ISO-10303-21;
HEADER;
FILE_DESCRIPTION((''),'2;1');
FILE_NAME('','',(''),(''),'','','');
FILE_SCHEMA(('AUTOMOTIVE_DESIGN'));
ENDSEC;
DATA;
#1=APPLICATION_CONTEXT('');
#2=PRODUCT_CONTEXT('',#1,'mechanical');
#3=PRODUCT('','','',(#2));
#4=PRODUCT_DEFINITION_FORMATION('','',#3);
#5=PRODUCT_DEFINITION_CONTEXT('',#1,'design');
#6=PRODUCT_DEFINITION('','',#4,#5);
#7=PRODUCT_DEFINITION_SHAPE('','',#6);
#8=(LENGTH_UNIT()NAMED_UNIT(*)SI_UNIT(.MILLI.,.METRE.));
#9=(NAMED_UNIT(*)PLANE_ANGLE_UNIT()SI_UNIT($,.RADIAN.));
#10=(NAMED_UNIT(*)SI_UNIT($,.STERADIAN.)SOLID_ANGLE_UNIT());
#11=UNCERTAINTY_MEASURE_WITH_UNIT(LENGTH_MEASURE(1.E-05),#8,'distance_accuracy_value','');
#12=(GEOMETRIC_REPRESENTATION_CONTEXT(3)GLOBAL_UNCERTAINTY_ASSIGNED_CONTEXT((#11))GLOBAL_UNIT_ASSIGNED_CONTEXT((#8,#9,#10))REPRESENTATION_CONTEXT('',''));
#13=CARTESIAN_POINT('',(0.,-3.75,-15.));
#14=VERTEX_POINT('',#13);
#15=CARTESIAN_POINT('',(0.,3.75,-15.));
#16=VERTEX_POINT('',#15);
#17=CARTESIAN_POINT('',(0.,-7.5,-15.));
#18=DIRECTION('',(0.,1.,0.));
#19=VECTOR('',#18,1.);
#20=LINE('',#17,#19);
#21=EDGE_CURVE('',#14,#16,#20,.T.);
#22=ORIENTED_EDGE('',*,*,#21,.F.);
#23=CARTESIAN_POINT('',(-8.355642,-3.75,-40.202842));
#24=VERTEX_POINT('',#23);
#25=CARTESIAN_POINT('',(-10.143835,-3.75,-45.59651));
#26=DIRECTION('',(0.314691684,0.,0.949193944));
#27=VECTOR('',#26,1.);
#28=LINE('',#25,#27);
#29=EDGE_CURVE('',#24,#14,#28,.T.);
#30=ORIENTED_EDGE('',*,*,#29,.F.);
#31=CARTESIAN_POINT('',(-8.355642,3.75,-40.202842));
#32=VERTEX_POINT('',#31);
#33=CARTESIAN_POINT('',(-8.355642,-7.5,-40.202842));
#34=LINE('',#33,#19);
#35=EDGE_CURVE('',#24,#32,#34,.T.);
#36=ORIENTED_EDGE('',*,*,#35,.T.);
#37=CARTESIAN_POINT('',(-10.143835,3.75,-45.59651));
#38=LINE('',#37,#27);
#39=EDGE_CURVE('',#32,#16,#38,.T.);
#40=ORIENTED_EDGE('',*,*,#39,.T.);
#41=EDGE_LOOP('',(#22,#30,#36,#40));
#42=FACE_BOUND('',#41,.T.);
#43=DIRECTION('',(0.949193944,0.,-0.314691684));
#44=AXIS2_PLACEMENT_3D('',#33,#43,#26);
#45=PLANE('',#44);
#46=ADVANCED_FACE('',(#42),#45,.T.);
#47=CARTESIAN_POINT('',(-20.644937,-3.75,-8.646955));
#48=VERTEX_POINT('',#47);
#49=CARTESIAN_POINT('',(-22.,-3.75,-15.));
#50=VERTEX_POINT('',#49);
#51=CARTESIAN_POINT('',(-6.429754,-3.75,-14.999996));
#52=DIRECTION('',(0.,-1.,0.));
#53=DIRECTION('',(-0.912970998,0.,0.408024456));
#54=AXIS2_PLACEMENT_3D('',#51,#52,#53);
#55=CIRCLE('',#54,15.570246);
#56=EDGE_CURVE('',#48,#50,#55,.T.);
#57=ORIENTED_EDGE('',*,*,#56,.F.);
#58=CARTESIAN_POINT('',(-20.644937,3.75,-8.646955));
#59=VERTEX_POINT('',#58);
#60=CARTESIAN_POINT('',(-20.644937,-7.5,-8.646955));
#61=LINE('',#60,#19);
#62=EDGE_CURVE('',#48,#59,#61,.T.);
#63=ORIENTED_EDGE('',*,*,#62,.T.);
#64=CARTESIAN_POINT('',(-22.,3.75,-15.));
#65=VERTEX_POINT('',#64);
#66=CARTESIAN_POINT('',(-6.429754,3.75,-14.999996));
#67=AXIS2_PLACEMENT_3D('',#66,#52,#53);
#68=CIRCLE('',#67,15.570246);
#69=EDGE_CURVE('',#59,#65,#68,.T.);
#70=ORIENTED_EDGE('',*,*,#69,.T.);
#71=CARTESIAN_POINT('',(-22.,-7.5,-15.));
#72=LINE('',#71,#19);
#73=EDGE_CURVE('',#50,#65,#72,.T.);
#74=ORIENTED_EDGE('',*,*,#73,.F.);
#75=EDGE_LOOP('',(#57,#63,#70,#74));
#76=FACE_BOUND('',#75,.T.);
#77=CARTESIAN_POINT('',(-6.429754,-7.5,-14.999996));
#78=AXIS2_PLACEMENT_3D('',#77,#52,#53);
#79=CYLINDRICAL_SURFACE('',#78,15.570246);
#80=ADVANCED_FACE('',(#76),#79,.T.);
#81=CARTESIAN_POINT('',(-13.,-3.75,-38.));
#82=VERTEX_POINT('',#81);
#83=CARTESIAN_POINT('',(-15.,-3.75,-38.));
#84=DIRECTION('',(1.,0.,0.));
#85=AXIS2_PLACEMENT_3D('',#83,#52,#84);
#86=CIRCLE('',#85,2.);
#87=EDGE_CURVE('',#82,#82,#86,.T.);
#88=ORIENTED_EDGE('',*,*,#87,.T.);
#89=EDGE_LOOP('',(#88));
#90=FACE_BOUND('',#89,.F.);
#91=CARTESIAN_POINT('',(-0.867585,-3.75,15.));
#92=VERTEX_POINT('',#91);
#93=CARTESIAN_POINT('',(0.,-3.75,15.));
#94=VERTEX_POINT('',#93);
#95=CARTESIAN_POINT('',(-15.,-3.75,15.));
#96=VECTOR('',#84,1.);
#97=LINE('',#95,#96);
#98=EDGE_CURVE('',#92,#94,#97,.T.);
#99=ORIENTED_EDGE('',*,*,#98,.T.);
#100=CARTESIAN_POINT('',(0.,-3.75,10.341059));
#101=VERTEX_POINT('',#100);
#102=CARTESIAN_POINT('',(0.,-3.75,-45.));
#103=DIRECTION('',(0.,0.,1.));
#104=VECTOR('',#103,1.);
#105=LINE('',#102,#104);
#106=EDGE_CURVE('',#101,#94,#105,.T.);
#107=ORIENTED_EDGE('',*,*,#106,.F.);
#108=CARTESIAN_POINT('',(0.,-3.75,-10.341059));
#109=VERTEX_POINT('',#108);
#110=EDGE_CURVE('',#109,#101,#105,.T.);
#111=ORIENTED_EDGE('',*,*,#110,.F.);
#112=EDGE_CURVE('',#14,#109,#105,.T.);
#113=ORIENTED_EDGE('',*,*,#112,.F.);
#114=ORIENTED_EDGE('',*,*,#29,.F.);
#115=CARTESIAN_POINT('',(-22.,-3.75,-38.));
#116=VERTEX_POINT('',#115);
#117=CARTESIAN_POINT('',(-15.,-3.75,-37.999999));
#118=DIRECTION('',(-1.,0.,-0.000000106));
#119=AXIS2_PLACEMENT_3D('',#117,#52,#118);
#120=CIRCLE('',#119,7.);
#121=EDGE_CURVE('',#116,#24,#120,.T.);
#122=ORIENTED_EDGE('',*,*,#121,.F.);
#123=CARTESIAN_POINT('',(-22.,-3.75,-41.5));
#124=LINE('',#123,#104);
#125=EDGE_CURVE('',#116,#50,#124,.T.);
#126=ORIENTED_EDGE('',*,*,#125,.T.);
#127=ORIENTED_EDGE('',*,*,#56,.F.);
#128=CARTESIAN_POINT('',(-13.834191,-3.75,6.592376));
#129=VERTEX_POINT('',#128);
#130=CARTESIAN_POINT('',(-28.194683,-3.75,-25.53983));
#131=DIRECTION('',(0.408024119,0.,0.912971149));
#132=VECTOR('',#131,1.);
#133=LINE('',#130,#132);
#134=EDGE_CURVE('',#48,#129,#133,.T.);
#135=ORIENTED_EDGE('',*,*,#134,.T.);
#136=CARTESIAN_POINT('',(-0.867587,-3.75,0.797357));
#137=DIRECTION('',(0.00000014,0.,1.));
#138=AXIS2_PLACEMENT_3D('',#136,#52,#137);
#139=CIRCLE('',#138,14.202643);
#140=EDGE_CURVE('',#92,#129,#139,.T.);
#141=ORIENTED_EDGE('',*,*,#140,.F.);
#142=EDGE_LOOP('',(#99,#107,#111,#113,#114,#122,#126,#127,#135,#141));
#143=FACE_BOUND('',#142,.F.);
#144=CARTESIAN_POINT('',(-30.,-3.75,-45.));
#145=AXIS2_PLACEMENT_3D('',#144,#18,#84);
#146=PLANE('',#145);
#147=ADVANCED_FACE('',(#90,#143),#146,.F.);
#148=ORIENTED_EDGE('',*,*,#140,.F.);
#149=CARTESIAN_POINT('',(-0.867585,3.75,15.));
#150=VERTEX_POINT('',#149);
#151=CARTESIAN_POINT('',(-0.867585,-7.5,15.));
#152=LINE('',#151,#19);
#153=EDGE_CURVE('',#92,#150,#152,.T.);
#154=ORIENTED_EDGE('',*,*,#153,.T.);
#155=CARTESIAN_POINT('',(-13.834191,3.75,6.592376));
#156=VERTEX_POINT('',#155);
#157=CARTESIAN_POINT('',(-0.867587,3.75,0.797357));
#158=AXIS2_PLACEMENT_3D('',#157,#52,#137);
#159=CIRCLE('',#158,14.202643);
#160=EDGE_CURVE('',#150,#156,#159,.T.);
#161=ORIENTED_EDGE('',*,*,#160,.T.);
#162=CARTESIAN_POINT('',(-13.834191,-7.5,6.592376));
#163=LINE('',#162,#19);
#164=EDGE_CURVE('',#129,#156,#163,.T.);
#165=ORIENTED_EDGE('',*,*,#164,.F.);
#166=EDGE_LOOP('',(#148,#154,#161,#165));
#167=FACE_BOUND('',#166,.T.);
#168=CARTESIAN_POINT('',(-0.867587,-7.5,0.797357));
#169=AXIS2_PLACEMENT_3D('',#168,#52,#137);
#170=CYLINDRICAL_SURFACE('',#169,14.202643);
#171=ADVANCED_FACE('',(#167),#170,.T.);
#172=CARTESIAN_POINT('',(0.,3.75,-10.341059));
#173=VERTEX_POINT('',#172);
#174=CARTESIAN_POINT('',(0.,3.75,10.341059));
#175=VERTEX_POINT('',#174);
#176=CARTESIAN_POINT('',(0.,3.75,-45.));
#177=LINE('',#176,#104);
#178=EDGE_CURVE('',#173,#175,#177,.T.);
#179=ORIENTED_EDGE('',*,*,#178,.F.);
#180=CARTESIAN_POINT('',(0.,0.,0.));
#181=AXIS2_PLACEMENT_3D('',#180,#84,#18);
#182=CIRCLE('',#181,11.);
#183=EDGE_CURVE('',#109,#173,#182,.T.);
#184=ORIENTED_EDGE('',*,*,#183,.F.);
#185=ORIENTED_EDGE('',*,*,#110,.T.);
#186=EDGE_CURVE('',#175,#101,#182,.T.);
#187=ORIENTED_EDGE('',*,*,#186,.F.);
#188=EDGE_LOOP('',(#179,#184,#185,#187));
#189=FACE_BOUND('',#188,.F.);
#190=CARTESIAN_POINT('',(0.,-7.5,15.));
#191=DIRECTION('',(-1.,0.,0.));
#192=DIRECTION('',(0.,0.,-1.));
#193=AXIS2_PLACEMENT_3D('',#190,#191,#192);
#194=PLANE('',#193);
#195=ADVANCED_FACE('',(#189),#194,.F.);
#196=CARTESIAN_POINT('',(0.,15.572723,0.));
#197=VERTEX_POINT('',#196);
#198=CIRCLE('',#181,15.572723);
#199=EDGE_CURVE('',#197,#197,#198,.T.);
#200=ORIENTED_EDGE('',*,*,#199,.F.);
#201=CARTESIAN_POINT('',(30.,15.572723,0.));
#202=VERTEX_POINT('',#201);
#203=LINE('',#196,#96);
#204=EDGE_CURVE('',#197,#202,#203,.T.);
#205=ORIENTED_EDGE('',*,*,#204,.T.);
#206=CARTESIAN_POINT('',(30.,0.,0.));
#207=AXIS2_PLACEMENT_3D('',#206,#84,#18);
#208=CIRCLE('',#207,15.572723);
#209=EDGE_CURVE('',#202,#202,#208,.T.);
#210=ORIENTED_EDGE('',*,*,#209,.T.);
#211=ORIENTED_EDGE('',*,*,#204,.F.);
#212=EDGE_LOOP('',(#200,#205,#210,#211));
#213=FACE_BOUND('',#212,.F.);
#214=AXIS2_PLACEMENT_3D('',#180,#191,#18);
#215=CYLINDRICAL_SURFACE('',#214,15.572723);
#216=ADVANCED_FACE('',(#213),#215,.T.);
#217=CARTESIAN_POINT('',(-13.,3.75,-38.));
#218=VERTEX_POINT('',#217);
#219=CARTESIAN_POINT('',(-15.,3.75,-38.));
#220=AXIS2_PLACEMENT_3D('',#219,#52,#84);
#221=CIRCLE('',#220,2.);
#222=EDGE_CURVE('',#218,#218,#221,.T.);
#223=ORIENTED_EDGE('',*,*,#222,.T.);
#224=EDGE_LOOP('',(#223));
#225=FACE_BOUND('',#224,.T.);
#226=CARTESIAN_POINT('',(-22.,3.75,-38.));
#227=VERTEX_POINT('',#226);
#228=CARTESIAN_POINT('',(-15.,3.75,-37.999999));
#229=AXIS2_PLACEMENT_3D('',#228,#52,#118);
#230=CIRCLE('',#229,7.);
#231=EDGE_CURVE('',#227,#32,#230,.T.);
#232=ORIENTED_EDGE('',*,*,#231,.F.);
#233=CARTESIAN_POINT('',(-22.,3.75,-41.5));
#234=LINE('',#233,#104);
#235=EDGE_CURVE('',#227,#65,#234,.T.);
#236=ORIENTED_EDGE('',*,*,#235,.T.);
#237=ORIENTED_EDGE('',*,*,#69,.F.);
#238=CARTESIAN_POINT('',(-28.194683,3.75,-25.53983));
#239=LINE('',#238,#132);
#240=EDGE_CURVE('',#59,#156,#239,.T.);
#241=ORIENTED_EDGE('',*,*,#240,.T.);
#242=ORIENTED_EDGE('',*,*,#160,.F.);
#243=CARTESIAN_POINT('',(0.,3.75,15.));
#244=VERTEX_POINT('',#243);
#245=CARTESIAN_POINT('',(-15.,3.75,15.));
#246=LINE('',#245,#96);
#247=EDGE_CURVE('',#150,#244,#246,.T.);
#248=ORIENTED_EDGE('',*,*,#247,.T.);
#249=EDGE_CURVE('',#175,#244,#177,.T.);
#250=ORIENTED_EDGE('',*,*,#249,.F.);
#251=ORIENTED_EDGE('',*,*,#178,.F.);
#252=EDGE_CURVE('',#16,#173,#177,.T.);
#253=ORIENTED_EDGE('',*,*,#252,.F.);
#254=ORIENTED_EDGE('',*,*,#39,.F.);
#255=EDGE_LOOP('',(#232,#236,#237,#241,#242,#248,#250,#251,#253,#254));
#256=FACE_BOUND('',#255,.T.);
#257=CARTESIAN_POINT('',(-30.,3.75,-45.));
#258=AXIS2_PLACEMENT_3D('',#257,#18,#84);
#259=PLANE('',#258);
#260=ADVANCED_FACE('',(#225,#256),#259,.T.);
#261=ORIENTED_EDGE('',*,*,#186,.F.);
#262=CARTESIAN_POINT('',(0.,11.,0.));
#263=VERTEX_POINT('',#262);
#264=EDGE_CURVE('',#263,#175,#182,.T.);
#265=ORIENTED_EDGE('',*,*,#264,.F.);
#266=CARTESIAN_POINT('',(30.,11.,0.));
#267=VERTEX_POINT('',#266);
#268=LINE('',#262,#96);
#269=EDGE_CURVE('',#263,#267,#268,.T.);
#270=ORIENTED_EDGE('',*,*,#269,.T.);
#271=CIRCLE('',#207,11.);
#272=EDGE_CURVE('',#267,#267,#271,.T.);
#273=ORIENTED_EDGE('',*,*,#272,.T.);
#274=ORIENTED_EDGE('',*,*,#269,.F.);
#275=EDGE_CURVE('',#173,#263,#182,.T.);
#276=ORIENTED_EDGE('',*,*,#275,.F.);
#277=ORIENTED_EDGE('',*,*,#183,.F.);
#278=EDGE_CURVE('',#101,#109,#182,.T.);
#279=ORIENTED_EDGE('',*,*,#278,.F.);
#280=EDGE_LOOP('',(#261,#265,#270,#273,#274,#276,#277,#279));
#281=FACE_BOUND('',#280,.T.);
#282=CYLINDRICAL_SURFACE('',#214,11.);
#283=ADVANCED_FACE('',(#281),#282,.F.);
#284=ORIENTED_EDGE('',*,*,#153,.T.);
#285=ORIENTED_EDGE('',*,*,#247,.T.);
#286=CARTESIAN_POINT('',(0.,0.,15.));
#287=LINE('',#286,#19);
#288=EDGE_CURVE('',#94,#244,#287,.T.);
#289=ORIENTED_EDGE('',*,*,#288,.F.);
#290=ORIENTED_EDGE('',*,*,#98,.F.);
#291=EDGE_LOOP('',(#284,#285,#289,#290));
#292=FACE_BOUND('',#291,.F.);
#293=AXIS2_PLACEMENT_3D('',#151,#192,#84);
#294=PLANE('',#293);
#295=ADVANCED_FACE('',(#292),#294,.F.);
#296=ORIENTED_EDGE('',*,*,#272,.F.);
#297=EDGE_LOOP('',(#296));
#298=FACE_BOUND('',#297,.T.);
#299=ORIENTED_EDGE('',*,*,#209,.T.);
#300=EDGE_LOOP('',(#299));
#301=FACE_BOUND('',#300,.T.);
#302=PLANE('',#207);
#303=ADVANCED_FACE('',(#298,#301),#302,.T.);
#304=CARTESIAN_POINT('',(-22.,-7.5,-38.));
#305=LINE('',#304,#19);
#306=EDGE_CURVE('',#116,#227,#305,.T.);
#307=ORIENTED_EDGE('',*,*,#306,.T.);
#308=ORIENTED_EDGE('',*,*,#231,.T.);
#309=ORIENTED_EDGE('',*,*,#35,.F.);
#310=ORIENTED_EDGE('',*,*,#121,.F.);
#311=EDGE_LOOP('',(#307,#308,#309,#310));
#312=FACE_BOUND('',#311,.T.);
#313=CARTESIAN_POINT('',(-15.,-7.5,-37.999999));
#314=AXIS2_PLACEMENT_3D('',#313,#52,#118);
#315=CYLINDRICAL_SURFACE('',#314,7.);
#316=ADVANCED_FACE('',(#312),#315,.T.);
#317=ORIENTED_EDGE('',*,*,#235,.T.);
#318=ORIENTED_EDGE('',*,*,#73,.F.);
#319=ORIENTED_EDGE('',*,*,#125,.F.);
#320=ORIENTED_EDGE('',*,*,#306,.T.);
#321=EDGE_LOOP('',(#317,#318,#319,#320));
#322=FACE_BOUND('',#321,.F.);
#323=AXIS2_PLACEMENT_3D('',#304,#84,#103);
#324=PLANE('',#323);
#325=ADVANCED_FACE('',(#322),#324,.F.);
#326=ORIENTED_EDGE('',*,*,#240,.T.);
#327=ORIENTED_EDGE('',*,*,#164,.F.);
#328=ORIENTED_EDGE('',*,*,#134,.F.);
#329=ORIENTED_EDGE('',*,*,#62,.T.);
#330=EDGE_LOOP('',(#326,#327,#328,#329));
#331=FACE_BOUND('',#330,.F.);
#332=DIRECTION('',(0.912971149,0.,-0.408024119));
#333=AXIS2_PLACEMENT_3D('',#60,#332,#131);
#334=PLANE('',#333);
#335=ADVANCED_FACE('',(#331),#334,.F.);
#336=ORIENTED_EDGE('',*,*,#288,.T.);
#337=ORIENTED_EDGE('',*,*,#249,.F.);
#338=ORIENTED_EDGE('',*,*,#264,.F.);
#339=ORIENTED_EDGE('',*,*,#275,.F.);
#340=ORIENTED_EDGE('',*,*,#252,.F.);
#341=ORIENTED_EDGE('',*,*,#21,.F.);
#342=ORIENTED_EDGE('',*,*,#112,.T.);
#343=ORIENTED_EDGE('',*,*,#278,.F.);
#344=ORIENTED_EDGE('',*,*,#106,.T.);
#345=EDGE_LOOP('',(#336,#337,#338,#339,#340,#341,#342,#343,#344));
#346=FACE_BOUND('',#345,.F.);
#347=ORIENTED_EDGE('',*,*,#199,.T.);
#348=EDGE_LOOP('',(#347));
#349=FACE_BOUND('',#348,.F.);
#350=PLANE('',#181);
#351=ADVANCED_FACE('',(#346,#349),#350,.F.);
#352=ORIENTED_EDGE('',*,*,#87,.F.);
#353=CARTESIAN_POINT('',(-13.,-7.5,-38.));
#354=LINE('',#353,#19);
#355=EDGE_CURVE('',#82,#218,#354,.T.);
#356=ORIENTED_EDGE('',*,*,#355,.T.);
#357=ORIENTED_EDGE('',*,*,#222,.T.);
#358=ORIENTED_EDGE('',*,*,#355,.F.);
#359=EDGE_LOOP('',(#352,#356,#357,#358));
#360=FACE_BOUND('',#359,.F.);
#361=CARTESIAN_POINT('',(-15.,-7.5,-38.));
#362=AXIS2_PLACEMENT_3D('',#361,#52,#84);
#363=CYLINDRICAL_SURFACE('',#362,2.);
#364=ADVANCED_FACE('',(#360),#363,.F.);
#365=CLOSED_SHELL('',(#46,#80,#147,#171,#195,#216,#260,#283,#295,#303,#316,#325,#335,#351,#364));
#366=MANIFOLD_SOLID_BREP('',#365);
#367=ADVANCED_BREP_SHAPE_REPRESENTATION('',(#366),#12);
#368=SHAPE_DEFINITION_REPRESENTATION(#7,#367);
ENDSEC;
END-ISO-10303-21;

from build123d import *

# Parameters (mm, degrees)
RECTANGLE001_W   = 30
RECTANGLE001_H   = 7.5
EXTRUDE003_DEPTH = 60
SKETCH_R         = 2
EXTRUDE002_DEPTH = 15
SKETCH001_R      = 15.572723
SKETCH001_R_2    = 11
EXTRUDE_DEPTH    = 30


with BuildPart() as extrude003:
    # Rectangle001 → Extrude003 (new body)
    with BuildSketch(Plane(origin=(-30, -3.75, -15), x_dir=(1, 0, 0), z_dir=(0, 0, 1))):
        with Locations((15, 3.75)):
            Rectangle(RECTANGLE001_W, RECTANGLE001_H)
    extrude(amount=EXTRUDE003_DEPTH)


with BuildPart() as extrude003_1:
    # Extrude003 placement: moved
    add(extrude003.part.moved(Location((0, 0, -30))))


with BuildPart() as common:
    # Sketch → Extrude002 (new body)
    with BuildSketch(Plane(origin=(0, 0, -15), x_dir=(1, 0, 0), z_dir=(0, -1, 0))):
        with BuildLine():
            Line((-22, -23), (-22, 0))
            ThreePointArc((-20.644937, 6.353045), (-21.657467, 3.247975), (-22, 0))
            Line((-20.644937, 6.353045), (-13.834191, 21.592376))
            ThreePointArc((-0.867585, 30), (-8.594503, 27.714145), (-13.834191, 21.592376))
            Line((-0.867585, 30), (0, 30))
            Line((0, 30), (0, 0))
            Line((-8.355642, -25.202842), (0, 0))
            ThreePointArc((-22, -23), (-16.115683, -29.910517), (-8.355642, -25.202842))
        make_face()
        with Locations((-15, -23)):
            Circle(SKETCH_R, mode=Mode.SUBTRACT)
    extrude(amount=-EXTRUDE002_DEPTH)


with BuildPart() as common_1:
    # Extrude002 placement: moved
    add(common.part.moved(Location((0, -7.5, 0))))

    # Common: intersect Extrude003
    add(extrude003_1.part, mode=Mode.INTERSECT)


with BuildPart() as body:
    # Sketch001 → Extrude (new body)
    with BuildSketch(Plane.YZ):
        Circle(SKETCH001_R)
        Circle(SKETCH001_R_2, mode=Mode.SUBTRACT)
    extrude(amount=EXTRUDE_DEPTH)

    # Fusion: union Common
    add(common_1.part)


solid = body.part
